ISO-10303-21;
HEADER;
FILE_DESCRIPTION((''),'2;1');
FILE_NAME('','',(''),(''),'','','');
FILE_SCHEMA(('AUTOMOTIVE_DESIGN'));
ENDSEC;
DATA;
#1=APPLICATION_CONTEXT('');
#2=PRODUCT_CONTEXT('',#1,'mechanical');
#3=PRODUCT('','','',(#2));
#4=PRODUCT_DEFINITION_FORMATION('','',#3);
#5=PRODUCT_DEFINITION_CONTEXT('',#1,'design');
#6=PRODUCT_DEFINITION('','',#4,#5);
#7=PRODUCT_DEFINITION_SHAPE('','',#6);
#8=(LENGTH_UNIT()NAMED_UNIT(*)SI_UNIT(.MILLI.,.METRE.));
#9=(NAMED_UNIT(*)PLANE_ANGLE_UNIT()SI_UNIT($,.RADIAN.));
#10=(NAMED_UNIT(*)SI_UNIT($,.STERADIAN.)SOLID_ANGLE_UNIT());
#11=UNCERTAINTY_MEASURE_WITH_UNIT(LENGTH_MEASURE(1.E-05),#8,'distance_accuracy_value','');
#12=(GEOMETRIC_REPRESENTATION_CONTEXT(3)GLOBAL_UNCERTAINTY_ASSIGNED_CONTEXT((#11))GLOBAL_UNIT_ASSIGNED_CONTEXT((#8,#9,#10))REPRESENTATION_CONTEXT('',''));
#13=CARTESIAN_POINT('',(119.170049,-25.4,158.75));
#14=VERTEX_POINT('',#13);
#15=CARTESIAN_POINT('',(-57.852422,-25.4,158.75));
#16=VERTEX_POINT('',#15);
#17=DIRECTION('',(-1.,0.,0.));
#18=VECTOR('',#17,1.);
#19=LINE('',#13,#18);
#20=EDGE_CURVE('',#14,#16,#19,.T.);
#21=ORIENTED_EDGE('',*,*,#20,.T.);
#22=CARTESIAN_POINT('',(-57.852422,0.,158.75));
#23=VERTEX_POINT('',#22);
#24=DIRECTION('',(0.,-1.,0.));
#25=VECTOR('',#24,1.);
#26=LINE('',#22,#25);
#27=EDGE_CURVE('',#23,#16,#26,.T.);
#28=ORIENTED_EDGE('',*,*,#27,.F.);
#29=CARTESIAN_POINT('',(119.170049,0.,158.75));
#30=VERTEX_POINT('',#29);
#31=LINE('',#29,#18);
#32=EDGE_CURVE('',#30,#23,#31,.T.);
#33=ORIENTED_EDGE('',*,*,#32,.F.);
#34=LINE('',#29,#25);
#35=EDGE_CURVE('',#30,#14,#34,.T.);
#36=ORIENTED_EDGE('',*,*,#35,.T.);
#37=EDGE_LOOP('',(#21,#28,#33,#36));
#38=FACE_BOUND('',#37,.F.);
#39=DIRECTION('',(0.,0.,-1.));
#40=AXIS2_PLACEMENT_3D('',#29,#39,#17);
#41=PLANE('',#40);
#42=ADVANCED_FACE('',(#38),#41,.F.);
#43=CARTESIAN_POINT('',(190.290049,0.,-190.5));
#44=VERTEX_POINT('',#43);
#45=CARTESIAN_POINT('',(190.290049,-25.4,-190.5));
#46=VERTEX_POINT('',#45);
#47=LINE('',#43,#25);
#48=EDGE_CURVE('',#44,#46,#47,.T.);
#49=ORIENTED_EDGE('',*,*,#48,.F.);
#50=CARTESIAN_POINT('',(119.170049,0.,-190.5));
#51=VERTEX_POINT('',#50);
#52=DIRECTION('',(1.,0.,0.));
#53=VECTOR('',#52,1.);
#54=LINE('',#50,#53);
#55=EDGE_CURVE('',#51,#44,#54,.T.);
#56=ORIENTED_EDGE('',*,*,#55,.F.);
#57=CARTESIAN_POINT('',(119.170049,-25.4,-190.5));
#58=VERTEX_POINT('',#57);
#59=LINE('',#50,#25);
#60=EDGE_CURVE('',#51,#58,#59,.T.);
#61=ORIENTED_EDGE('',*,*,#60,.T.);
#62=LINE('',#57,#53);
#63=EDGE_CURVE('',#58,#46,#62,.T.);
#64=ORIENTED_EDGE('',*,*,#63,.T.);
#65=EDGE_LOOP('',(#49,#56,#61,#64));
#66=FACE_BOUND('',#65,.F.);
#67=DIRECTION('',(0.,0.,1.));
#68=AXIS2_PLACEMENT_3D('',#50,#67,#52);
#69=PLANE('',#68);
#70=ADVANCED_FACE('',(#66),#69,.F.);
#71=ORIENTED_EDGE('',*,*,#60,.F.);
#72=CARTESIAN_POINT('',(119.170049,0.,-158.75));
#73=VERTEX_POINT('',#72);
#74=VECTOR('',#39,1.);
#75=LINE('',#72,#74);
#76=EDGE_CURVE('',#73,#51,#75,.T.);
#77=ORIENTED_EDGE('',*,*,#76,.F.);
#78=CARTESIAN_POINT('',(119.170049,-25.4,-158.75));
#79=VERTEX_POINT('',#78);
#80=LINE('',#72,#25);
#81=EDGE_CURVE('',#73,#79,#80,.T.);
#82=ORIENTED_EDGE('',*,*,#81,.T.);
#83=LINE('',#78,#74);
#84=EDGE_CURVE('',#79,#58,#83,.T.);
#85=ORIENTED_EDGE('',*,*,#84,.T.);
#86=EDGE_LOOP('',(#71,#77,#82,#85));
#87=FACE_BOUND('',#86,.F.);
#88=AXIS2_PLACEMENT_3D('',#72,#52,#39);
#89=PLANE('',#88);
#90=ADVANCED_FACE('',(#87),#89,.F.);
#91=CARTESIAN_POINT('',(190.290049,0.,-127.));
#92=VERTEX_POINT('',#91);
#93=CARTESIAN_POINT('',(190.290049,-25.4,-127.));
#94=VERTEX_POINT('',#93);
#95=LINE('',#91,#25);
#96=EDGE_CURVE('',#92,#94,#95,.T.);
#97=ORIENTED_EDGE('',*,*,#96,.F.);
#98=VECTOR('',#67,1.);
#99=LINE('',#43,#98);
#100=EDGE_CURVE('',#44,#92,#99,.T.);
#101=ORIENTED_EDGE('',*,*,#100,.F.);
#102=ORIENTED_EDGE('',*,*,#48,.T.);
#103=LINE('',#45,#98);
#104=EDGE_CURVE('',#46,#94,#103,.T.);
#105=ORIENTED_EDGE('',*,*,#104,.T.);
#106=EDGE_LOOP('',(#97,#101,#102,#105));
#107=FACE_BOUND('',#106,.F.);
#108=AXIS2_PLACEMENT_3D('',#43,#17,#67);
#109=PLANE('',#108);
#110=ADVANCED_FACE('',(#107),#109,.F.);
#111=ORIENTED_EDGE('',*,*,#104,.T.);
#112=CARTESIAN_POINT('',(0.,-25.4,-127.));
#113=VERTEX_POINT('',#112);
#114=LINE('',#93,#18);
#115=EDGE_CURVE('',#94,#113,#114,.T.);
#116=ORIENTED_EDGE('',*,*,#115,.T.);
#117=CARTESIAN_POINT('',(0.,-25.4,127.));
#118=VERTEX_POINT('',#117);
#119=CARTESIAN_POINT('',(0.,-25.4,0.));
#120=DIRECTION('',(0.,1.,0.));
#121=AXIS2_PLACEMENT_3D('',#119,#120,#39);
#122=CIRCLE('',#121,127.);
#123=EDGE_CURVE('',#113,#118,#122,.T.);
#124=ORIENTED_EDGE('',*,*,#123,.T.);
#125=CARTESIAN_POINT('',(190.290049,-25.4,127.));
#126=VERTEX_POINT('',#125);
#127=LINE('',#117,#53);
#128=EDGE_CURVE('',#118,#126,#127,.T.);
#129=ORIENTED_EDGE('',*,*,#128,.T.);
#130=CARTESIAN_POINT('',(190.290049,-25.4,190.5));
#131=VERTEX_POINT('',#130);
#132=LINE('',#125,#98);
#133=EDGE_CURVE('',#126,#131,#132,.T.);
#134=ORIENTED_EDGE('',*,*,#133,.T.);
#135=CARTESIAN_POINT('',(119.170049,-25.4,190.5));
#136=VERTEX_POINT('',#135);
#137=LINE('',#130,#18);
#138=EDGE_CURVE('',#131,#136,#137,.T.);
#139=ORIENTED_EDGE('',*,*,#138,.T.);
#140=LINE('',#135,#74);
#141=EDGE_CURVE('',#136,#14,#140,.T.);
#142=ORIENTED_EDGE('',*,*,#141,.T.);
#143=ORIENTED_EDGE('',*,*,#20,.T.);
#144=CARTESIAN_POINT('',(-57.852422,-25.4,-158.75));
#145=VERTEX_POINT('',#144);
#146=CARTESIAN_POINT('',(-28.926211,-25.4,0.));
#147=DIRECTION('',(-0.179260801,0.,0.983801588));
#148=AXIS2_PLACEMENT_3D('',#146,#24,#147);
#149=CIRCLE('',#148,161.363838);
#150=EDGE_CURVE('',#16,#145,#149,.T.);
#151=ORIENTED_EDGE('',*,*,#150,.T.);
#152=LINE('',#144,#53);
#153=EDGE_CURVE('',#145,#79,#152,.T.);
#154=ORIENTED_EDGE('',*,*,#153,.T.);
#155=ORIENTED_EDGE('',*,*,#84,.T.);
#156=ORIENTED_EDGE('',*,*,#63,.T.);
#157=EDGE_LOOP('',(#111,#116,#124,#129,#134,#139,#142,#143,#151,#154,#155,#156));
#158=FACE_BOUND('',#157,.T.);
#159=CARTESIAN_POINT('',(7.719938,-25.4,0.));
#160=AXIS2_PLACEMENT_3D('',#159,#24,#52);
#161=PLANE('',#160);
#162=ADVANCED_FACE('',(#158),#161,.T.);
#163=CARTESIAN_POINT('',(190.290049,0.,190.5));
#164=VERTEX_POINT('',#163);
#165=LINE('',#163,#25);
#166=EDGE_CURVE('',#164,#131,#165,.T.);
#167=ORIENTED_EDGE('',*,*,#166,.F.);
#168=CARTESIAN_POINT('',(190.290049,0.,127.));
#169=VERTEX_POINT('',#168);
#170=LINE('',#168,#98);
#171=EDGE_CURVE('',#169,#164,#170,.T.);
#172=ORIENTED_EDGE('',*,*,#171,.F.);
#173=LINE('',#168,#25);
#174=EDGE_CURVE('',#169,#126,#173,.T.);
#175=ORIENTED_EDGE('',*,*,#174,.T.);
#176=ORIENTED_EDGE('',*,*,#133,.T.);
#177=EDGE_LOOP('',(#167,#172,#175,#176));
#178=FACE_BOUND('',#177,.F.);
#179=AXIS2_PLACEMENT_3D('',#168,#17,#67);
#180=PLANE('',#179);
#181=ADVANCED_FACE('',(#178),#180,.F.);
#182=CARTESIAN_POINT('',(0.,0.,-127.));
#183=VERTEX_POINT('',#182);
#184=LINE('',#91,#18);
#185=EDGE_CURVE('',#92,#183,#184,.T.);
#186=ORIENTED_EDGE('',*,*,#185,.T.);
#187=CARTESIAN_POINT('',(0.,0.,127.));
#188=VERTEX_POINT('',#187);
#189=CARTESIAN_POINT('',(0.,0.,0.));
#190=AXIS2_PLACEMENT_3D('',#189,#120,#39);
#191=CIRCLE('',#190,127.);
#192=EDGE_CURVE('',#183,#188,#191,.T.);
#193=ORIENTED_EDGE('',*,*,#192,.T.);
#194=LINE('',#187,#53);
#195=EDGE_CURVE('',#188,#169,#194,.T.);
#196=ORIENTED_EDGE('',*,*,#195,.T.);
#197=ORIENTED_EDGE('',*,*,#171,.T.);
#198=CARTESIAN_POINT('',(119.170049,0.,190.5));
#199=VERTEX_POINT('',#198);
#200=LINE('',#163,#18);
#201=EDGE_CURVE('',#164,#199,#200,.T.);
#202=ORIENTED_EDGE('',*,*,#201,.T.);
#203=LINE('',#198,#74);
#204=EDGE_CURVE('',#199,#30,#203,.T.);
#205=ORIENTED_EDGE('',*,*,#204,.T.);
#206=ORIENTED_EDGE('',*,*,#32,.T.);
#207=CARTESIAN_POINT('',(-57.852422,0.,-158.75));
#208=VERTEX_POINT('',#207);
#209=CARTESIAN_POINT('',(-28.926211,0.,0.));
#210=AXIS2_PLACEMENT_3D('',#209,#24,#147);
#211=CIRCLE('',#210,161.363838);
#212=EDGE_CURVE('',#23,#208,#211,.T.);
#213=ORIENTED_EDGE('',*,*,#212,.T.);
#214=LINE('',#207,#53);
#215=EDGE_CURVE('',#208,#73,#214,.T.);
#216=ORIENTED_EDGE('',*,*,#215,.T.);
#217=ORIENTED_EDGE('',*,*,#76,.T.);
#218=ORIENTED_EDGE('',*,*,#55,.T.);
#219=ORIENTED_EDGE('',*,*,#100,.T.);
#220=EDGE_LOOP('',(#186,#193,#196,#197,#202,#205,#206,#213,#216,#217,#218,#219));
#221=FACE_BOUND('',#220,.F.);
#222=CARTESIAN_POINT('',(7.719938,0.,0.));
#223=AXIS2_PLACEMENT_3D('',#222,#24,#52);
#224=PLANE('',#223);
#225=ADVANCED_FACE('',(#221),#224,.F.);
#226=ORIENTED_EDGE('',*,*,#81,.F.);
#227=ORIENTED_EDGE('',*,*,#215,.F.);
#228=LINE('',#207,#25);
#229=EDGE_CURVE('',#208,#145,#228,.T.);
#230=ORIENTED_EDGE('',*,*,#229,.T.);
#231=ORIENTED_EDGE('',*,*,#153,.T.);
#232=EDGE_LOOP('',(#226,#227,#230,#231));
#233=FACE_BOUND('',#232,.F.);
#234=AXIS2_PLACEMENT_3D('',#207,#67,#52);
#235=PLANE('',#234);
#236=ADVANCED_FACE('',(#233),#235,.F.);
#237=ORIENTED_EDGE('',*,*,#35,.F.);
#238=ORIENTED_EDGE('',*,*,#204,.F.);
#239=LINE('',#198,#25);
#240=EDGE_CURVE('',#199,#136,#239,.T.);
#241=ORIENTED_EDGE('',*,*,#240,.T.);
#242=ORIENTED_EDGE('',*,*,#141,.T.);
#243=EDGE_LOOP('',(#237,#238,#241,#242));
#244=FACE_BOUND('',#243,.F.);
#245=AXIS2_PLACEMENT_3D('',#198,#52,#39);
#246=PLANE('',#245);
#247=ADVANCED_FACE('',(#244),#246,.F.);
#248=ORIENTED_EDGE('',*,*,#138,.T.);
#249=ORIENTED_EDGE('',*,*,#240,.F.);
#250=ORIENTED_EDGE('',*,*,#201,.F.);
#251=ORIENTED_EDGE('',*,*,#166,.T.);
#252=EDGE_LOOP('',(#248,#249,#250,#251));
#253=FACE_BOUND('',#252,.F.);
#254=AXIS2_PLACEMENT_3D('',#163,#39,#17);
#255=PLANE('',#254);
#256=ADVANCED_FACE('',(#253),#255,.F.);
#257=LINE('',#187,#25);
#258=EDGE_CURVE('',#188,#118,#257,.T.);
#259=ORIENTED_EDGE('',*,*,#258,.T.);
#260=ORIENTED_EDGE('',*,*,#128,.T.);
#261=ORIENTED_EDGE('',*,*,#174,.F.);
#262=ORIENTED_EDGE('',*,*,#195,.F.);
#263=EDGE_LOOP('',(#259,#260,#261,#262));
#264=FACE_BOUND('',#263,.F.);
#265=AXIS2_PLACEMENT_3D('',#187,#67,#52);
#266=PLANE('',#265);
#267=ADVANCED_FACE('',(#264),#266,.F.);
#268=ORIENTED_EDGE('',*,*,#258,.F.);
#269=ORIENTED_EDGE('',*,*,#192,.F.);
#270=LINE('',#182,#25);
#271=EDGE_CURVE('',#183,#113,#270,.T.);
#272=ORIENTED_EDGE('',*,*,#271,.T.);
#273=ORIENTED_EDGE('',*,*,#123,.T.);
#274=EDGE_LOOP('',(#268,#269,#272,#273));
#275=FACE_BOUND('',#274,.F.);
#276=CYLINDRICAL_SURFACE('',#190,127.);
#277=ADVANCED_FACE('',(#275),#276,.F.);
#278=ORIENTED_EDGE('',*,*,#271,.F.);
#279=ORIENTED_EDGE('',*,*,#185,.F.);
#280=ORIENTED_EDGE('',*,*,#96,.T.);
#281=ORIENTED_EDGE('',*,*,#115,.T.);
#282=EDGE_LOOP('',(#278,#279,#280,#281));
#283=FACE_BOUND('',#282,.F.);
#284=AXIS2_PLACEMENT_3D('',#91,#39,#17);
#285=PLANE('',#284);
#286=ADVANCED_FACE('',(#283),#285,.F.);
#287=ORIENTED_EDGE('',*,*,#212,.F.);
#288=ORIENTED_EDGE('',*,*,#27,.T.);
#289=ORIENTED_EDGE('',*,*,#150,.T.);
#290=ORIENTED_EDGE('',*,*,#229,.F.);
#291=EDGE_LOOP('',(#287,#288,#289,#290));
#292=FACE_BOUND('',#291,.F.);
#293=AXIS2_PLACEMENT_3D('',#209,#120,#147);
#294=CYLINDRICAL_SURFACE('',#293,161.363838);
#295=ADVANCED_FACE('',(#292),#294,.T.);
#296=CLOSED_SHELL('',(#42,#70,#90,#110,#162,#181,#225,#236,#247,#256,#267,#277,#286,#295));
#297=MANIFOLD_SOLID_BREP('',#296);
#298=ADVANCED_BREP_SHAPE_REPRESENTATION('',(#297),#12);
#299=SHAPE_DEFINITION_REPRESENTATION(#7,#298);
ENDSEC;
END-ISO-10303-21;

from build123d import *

# Parameters (mm, degrees)
F1_DEPTH = 25.4


with BuildPart() as f1:
    # F0 (on Front) → F1 (new body)
    with BuildSketch(Plane.XZ):
        with BuildLine():
            Line((-57.852422, -158.75), (119.170049, -158.75))
            Line((119.170049, -158.75), (119.170049, -190.5))
            Line((119.170049, -190.5), (190.290049, -190.5))
            Line((190.290049, -190.5), (190.290049, -158.75))
            Line((190.290049, -158.75), (190.290049, -127))
            Line((190.290049, -127), (0, -127))
            ThreePointArc((0, -127), (-127, 0), (0, 127))
            Line((0, 127), (153.091423, 127))
            Line((153.091423, 127), (190.290049, 127))
            Line((190.290049, 127), (190.290049, 158.75))
            Line((190.290049, 158.75), (190.290049, 190.5))
            Line((190.290049, 190.5), (119.170049, 190.5))
            Line((119.170049, 190.5), (119.170049, 158.75))
            Line((119.170049, 158.75), (-57.852422, 158.75))
            ThreePointArc((-57.852422, 158.75), (-190.290049, 0), (-57.852422, -158.75))
        make_face()
    extrude(amount=F1_DEPTH)


solid = f1.part
